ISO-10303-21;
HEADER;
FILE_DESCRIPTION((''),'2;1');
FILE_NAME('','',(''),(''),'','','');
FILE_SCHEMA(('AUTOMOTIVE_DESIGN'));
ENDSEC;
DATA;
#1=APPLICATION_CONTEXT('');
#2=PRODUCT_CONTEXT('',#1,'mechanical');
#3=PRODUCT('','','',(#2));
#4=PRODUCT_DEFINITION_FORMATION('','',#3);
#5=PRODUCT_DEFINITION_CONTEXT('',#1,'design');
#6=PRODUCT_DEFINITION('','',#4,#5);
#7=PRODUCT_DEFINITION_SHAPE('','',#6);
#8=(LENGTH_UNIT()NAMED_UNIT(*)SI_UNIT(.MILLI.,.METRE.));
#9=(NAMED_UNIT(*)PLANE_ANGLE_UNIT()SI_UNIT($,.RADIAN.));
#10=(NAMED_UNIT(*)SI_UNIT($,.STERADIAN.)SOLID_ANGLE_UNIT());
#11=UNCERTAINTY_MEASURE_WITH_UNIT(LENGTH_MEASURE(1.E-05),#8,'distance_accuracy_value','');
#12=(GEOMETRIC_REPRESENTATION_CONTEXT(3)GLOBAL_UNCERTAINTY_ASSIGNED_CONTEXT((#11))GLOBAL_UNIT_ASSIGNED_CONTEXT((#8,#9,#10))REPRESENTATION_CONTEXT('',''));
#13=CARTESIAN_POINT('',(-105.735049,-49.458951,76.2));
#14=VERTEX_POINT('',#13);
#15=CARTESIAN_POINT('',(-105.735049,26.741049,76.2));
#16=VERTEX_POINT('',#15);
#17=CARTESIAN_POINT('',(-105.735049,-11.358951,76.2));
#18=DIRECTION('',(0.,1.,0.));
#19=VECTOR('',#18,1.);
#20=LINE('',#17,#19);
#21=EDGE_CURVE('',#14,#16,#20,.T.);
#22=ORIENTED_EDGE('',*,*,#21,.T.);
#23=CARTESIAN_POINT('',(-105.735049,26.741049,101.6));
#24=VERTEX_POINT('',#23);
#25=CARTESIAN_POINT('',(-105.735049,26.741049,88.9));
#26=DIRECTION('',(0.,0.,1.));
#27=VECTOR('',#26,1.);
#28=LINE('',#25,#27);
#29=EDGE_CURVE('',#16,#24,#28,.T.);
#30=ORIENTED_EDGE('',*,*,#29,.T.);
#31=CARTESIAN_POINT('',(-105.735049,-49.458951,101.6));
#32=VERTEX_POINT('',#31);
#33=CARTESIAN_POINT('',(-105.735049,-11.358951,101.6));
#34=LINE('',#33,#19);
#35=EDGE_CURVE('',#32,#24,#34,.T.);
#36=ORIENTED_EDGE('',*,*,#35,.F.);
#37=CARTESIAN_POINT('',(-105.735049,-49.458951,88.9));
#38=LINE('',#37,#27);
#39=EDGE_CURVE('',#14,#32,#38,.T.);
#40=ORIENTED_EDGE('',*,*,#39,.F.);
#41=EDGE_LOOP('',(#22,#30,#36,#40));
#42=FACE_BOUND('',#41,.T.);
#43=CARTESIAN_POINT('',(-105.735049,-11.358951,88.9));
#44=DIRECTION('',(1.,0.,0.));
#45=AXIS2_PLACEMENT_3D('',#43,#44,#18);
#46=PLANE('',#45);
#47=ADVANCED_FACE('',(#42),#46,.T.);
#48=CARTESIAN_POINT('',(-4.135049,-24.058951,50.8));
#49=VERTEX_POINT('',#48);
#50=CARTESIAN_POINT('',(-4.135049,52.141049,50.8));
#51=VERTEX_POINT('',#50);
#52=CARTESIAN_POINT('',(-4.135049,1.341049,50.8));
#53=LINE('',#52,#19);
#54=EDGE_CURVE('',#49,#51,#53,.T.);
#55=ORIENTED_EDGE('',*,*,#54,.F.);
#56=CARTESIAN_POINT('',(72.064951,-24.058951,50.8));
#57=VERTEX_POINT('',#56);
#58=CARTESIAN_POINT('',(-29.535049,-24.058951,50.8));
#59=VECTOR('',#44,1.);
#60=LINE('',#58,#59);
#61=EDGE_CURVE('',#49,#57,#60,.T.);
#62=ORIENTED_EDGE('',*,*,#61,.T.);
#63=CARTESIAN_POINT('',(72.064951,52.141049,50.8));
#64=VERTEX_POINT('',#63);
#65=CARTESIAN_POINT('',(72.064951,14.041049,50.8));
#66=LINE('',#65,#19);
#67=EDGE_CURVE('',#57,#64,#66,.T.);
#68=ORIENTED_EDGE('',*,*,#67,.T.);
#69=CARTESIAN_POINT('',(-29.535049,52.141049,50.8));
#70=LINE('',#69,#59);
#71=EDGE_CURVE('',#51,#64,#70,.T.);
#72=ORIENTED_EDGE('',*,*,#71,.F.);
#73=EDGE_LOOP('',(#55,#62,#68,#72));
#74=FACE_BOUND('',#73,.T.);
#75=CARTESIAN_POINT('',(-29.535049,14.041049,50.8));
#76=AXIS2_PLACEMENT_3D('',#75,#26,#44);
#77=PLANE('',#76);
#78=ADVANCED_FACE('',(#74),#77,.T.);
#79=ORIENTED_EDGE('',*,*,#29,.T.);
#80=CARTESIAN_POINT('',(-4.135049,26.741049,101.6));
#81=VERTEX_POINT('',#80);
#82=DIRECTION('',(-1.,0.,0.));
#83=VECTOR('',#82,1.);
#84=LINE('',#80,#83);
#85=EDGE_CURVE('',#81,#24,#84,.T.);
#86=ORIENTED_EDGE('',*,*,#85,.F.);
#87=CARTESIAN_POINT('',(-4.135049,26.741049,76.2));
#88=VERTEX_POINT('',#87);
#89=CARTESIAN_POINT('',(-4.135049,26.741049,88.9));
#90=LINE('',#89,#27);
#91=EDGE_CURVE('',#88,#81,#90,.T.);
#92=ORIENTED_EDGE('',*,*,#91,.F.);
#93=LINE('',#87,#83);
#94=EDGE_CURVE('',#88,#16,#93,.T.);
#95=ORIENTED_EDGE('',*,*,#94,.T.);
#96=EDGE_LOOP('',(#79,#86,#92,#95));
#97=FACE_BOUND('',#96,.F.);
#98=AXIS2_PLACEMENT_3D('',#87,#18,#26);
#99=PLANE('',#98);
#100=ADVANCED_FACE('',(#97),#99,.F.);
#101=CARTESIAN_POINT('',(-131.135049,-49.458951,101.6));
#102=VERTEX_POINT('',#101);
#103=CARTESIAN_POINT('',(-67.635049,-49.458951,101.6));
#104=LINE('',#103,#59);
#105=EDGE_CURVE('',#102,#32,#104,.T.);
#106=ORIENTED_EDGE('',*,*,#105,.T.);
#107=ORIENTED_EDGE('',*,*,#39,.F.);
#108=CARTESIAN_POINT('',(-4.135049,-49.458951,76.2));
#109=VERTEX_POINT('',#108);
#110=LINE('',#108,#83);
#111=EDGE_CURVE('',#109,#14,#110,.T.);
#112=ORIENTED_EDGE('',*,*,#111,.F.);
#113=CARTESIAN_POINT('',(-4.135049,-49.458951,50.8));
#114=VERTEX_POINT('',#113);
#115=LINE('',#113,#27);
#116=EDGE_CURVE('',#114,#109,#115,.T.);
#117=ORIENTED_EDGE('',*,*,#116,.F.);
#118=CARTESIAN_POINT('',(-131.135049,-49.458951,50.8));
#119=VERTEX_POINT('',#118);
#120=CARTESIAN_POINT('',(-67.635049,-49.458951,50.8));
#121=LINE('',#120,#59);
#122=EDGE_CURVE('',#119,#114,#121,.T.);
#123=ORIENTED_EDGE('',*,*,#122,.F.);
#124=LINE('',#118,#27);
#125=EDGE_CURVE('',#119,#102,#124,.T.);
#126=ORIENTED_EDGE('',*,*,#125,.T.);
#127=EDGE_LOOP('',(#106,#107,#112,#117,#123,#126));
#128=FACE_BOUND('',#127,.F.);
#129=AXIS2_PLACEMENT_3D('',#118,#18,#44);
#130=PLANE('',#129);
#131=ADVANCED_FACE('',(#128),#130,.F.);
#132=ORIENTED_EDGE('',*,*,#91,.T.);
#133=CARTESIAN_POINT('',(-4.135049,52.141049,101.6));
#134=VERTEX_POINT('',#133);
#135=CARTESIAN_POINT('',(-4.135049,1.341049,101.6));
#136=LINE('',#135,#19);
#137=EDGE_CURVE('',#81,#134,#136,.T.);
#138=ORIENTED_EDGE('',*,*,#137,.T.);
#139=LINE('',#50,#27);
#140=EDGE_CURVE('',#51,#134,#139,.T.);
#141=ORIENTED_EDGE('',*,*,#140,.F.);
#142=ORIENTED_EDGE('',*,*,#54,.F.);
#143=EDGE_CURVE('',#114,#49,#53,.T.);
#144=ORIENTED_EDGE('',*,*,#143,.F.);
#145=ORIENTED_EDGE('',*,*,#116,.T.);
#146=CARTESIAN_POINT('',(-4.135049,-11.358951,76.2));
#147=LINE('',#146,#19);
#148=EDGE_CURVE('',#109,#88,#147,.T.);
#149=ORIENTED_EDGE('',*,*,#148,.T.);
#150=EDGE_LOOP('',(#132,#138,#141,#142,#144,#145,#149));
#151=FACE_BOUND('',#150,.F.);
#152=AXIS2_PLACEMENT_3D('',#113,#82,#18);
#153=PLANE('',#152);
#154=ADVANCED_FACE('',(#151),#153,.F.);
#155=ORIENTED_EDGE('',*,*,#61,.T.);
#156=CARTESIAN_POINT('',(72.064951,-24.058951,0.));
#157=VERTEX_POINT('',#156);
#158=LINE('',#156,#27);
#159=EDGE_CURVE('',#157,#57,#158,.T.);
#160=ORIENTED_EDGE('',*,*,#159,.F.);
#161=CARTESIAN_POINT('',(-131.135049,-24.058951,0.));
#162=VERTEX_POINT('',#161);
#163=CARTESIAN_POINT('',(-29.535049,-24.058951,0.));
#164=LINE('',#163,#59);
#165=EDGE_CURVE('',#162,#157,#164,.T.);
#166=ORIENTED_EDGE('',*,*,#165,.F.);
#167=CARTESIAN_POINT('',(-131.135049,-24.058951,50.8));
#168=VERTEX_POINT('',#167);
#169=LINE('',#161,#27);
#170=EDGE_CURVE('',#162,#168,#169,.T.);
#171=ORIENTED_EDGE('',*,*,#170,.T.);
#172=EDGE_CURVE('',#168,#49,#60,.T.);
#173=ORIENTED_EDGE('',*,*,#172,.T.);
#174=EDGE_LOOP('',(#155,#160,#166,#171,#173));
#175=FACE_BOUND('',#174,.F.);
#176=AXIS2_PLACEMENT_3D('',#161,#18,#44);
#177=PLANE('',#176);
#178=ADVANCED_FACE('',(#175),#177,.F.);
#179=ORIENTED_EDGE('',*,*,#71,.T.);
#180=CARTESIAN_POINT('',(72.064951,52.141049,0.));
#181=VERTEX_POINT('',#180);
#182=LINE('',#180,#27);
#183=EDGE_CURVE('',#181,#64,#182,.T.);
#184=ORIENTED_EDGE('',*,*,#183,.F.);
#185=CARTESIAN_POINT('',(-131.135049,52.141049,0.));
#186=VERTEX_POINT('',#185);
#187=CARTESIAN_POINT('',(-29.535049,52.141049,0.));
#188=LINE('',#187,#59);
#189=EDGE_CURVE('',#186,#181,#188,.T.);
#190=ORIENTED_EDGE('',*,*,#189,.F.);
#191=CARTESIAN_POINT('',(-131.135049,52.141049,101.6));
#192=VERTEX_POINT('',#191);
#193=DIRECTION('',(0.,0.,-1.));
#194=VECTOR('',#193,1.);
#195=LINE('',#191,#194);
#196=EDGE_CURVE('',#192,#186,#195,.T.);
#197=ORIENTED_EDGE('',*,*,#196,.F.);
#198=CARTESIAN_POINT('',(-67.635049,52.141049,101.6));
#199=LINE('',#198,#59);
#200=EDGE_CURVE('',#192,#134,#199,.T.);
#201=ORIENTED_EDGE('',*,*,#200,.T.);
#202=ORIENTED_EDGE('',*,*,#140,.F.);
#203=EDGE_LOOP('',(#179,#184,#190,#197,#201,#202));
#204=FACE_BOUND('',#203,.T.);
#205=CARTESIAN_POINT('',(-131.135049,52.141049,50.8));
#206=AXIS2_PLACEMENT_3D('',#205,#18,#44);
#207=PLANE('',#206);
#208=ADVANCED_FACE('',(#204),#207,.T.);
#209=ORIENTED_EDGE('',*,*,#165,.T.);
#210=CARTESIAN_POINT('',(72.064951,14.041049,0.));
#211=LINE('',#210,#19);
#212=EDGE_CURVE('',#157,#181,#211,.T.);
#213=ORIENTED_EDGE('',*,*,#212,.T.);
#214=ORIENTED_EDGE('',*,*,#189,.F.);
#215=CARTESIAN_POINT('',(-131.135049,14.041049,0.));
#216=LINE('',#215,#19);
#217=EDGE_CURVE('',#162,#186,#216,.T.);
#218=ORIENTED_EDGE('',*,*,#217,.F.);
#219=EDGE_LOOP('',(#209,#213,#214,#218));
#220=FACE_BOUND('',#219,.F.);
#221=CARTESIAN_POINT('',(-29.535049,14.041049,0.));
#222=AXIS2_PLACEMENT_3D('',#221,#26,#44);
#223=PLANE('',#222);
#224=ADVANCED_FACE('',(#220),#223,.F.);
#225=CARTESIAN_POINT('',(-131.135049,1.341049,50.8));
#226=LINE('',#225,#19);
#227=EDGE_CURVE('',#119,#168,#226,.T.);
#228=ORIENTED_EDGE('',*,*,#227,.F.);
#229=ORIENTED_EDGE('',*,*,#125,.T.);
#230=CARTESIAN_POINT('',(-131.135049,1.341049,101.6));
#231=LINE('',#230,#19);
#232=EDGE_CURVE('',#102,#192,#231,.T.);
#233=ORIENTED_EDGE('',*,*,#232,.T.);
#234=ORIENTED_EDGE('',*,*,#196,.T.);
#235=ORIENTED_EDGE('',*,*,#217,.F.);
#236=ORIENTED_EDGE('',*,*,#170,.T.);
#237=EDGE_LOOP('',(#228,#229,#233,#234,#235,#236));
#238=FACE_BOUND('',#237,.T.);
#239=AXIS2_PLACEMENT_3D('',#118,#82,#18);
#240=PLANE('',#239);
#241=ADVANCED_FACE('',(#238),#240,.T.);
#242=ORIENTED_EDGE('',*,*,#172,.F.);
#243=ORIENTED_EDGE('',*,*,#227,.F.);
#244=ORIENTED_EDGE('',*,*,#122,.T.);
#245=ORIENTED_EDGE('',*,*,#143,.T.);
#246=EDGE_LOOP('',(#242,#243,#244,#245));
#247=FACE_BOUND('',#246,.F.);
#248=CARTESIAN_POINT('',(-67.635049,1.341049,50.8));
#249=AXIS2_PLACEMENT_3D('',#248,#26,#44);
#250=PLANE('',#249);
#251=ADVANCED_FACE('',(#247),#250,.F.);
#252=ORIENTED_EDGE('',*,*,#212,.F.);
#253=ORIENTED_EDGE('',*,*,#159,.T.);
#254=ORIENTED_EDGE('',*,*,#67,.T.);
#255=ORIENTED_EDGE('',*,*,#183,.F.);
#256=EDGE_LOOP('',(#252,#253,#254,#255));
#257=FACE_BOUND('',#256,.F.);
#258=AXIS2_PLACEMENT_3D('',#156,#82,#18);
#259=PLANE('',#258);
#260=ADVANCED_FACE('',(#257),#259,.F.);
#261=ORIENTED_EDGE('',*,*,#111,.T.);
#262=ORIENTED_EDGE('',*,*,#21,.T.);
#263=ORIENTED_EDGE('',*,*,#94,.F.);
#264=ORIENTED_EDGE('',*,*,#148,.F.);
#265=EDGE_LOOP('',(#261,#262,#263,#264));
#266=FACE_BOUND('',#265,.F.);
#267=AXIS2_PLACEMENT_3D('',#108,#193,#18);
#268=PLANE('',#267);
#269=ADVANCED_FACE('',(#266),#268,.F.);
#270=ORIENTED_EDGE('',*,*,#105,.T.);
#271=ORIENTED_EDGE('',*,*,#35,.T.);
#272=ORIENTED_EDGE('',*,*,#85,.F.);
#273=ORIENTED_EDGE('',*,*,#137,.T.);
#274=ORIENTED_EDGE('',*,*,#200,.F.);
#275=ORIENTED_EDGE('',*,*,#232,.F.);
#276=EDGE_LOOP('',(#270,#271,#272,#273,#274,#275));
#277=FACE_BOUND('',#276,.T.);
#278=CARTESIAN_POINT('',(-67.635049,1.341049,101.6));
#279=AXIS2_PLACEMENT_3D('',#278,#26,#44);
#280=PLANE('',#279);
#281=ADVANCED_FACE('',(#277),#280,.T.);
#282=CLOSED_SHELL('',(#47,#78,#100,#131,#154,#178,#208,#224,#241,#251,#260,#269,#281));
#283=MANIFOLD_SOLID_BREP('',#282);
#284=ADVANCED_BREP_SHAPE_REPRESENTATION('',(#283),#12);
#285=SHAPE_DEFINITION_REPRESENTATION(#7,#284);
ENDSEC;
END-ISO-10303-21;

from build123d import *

# Parameters (mm, degrees)
F0_W     = 203.2
F0_H     = 76.2
F1_DEPTH = 50.8
F2_W     = 127
F2_H     = 101.6
F3_DEPTH = 50.8
F4_W     = 76.2
F4_H     = 25.4
F5_DEPTH = 101.6


with BuildPart() as f1:
    # F0 (on Top) → F1 (new body)
    with BuildSketch(Plane.XY):
        with Locations((-29.535049, 14.041049)):
            Rectangle(F0_W, F0_H)
    extrude(amount=F1_DEPTH)

    # F2 (on face) → F3 (join)
    with BuildSketch(Plane.XY.offset(50.8)):
        with Locations((-67.635049, 1.341049)):
            Rectangle(F2_W, F2_H)
    extrude(amount=F3_DEPTH)

    # F4 (on face) → F5 (cut)
    with BuildSketch(Plane.YZ.offset(-4.135049)):
        with Locations((-11.358951, 88.9)):
            Rectangle(F4_W, F4_H)
    extrude(amount=-F5_DEPTH, mode=Mode.SUBTRACT)


solid = f1.part
